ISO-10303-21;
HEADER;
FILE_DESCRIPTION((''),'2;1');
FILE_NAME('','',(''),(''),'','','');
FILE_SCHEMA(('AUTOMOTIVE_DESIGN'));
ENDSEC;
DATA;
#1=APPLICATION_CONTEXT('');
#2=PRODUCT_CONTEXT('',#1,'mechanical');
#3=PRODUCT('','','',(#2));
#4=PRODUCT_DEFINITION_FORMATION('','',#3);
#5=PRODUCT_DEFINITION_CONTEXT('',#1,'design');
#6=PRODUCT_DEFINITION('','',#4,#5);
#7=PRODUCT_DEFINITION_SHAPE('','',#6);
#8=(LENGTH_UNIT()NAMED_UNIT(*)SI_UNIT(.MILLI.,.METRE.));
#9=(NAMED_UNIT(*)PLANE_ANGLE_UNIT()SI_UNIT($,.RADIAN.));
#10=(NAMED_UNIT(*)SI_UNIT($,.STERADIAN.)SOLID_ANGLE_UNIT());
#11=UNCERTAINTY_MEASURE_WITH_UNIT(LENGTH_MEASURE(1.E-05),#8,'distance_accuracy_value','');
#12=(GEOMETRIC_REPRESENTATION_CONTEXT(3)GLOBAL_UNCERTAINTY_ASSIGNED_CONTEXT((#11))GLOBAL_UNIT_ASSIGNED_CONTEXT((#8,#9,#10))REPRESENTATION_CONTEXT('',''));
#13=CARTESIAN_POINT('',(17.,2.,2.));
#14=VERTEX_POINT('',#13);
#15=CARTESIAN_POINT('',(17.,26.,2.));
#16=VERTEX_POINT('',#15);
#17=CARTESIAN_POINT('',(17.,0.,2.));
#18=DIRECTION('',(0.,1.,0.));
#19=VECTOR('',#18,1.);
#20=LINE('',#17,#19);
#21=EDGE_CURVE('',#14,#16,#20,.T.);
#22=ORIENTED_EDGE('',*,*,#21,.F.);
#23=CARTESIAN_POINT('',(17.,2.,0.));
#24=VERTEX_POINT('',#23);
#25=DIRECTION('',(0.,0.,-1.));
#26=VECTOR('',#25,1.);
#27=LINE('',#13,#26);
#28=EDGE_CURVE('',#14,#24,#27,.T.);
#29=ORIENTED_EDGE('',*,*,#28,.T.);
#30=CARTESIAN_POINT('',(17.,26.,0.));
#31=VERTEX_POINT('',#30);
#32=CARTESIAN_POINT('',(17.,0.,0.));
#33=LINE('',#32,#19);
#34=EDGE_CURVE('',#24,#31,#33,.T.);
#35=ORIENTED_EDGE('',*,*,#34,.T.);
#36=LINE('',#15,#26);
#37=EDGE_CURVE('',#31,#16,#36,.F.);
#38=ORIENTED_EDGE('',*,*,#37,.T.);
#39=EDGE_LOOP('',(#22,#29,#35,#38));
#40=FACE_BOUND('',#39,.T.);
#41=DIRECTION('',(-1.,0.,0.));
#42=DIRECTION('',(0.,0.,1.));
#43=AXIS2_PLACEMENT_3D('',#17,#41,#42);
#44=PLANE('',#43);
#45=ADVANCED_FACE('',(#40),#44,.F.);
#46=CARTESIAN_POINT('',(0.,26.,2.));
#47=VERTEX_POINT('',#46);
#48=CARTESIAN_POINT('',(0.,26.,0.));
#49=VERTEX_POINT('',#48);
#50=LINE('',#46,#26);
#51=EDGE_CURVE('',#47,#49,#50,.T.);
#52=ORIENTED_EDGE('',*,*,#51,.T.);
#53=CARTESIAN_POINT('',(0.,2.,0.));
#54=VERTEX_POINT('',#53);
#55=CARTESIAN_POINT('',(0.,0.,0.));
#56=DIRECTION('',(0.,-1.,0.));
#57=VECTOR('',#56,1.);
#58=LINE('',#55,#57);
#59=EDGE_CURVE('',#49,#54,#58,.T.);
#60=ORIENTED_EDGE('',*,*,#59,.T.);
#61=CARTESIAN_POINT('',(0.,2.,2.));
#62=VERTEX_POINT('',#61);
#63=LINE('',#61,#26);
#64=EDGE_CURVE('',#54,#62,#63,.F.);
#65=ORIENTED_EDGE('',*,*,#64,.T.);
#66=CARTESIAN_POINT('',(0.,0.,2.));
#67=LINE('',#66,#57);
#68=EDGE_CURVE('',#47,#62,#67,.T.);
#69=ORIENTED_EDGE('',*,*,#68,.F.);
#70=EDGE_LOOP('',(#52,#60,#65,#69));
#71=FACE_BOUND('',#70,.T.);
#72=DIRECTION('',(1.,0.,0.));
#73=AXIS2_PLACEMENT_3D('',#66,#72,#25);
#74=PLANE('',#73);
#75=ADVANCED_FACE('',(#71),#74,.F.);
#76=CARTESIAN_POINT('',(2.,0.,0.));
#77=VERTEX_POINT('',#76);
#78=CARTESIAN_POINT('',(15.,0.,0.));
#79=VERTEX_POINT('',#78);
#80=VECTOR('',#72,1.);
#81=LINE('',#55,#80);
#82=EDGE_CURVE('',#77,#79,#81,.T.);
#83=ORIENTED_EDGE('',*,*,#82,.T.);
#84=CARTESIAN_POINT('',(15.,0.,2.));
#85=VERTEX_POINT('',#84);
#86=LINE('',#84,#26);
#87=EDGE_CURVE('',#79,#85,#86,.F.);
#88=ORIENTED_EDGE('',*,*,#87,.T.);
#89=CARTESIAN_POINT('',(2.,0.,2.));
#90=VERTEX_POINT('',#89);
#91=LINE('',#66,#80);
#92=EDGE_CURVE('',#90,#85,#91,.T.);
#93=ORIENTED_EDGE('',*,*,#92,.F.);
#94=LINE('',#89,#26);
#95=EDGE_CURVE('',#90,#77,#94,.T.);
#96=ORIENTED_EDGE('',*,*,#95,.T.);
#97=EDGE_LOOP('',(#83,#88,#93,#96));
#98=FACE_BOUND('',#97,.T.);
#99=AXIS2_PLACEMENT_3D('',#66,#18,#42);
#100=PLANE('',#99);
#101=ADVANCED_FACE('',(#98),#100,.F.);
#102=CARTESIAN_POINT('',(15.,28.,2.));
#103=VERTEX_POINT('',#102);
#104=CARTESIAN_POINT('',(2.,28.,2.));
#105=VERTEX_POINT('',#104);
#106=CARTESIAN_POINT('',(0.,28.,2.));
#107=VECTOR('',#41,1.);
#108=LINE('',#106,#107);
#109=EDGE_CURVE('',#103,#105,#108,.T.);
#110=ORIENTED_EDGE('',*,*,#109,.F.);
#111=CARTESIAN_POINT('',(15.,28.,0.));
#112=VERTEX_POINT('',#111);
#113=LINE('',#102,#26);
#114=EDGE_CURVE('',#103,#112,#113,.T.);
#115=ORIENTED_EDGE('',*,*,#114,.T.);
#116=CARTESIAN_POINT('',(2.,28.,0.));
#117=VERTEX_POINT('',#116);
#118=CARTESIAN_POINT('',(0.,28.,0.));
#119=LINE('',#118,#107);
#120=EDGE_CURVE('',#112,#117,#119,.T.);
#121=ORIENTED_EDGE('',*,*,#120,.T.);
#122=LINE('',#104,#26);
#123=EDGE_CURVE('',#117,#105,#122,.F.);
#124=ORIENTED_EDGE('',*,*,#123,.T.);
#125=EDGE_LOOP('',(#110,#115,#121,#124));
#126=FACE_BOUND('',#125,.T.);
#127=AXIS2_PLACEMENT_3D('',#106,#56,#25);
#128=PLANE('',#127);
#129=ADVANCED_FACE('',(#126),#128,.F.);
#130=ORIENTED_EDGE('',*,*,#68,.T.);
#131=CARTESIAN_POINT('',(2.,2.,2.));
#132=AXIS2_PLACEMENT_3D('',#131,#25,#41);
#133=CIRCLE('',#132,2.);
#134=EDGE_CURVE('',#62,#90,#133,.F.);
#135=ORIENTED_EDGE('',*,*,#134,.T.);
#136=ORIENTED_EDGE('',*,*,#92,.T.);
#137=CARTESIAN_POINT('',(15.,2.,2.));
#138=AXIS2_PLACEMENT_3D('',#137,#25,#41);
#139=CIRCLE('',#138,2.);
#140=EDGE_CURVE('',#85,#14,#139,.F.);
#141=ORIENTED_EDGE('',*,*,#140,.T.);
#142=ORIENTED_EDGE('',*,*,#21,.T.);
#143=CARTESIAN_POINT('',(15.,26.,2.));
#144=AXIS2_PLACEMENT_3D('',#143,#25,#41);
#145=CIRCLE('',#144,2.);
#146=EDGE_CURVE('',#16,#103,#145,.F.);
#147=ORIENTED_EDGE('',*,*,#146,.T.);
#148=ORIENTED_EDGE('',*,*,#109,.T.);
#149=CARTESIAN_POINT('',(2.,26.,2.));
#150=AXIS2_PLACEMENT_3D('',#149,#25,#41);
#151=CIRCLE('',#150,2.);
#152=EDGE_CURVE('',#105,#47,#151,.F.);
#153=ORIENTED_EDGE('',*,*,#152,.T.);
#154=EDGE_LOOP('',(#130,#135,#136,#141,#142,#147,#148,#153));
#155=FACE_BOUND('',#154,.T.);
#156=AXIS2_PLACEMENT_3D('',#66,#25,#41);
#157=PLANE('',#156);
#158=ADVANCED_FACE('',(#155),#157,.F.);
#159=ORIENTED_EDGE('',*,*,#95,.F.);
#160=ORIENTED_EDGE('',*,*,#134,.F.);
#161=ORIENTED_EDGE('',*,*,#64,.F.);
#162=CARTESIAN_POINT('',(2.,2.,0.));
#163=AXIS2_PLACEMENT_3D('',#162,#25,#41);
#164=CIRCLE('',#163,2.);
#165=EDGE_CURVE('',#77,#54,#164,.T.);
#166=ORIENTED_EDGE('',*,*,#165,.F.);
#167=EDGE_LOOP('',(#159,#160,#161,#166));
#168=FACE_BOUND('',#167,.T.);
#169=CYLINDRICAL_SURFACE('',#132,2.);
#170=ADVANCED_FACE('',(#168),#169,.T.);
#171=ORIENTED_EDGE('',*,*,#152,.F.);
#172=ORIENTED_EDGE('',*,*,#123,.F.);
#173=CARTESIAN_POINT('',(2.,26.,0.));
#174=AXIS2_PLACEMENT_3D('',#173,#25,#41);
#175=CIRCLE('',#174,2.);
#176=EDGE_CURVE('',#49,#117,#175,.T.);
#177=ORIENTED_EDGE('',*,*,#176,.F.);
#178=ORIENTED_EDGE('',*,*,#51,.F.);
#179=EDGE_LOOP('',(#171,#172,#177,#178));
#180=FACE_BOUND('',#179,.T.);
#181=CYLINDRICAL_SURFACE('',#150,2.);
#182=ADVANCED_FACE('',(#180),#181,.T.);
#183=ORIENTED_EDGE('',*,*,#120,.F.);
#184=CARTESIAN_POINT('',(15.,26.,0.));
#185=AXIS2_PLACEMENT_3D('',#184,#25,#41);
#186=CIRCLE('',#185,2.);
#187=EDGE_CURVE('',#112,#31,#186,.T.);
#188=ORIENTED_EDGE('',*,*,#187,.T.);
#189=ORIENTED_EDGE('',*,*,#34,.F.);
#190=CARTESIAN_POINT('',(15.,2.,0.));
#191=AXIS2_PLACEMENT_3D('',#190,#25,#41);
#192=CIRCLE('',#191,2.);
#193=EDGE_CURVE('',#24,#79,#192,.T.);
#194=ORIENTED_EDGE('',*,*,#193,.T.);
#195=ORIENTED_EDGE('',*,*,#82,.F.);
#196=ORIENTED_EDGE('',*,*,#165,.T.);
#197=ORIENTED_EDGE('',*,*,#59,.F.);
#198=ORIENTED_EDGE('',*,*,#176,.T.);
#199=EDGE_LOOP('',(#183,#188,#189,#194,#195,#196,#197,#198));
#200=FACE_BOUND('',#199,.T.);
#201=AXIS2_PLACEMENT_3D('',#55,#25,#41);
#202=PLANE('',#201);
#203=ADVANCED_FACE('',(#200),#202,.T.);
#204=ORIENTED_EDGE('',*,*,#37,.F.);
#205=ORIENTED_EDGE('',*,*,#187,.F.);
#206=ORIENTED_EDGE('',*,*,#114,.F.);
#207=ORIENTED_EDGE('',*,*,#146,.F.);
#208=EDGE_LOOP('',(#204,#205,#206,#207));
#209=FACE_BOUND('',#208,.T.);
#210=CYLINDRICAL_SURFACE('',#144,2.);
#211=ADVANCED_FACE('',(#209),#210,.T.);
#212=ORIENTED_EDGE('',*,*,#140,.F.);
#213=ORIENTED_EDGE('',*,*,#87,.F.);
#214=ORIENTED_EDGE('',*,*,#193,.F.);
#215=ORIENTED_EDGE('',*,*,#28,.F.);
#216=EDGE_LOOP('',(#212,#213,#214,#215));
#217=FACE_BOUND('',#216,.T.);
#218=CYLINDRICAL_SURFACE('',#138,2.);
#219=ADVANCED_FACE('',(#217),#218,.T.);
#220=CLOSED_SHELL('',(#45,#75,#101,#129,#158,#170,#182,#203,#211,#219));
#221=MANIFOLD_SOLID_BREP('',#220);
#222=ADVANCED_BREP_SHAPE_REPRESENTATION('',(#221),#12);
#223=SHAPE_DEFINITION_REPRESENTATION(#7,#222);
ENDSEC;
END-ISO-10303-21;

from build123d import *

# Parameters (mm, degrees)
SKETCH1_W           = 17
SKETCH1_H           = 28
BOSS_EXTRUDE1_DEPTH = 2
FILLET1_R           = 2


with BuildPart() as part:
    # Sketch1 → Boss-Extrude1 (new body)
    with BuildSketch(Plane.XY):
        with Locations((8.5, 14)):
            Rectangle(SKETCH1_W, SKETCH1_H)
    extrude(amount=BOSS_EXTRUDE1_DEPTH)

    # Fillet1
    fillet1_edges = [part.edges().sort_by_distance(p)[0] for p in [
        (0, 28, 1),
        (17, 28, 1),
        (17, 0, 1),
        (0, 0, 1),
    ]]
    fillet(fillet1_edges, radius=FILLET1_R)


solid = part.part
